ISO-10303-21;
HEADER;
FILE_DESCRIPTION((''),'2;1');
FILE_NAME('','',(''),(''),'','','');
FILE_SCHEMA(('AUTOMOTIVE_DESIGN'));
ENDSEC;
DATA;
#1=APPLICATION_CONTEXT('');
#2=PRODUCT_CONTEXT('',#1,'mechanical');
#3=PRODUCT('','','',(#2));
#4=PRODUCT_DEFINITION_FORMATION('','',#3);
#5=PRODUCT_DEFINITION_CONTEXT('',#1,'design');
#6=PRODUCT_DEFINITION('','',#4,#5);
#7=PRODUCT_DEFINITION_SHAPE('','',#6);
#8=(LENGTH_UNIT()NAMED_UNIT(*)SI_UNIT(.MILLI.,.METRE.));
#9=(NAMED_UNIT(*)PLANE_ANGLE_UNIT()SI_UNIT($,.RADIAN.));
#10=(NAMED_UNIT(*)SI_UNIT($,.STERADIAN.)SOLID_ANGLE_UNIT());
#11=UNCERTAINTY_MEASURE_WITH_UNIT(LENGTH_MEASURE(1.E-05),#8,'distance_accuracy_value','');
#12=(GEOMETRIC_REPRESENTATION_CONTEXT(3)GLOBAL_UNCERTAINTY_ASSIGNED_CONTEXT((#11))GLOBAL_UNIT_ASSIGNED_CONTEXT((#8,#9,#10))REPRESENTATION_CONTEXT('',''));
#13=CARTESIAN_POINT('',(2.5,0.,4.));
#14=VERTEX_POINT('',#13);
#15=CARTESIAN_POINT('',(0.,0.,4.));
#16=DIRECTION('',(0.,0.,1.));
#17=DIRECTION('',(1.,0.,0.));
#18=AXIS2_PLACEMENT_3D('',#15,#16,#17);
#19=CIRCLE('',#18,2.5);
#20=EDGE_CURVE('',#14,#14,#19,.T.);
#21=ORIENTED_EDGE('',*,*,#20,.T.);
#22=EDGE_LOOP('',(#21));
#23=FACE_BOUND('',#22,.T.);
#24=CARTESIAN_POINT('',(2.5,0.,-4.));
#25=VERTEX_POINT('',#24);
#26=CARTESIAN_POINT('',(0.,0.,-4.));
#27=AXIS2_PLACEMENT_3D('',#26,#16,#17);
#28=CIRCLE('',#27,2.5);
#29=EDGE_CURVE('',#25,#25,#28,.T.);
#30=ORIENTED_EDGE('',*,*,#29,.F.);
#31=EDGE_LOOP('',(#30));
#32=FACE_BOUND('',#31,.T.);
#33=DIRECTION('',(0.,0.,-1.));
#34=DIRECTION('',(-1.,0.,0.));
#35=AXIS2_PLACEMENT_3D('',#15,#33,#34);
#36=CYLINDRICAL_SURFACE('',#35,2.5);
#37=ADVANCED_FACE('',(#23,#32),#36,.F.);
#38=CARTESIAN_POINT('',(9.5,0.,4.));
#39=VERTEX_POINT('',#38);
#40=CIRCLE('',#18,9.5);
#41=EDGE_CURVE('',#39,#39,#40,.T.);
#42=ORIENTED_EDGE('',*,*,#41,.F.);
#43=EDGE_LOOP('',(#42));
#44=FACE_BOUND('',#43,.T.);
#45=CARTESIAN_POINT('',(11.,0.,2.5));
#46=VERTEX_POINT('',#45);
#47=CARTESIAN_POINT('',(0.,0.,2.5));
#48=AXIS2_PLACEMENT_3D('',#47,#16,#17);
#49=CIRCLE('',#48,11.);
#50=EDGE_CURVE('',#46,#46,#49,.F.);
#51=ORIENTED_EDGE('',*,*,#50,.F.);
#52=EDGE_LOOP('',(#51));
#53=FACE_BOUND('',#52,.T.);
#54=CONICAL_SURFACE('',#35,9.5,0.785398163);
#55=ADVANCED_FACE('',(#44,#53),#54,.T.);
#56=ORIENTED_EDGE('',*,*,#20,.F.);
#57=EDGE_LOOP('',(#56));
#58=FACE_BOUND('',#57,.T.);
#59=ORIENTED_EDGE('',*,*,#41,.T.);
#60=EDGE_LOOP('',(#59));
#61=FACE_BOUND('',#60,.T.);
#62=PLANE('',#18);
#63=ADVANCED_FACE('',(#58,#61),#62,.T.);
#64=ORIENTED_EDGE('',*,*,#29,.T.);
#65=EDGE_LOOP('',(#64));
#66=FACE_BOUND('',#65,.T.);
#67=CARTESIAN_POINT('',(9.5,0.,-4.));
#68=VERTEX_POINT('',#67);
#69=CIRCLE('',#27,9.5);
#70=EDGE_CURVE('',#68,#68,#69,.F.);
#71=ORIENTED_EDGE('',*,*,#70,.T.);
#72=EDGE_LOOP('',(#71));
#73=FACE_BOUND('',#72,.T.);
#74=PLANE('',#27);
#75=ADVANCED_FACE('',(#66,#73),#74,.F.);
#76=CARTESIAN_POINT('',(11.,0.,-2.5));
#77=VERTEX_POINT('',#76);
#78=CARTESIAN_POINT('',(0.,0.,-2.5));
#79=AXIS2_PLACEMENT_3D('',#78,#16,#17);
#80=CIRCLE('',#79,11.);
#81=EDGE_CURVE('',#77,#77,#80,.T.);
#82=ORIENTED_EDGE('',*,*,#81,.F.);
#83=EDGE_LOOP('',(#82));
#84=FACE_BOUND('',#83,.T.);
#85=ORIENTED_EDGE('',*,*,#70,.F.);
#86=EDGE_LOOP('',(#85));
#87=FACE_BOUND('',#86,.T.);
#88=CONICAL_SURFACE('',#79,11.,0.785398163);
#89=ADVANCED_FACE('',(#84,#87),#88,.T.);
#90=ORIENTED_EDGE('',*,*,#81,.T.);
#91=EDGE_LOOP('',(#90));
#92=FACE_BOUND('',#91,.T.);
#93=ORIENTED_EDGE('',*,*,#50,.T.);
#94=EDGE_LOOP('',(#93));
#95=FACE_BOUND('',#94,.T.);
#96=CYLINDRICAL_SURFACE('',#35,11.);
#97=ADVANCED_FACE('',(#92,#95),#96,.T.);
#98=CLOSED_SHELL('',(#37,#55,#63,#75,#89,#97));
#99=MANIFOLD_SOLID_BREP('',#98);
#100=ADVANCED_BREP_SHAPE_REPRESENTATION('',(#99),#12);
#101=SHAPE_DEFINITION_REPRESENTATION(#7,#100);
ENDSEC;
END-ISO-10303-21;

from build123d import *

# Parameters (mm, degrees)
SKETCH1_R           = 11
SKETCH1_R_2         = 2.5
BOSS_EXTRUDE1_DEPTH = 4
CHAMFER3_SIZE       = 1.5


with BuildPart() as part:
    # Sketch1 → Boss-Extrude1 (new body, symmetric)
    with BuildSketch(Plane.XY):
        Circle(SKETCH1_R)
        Circle(SKETCH1_R_2, mode=Mode.SUBTRACT)
    extrude(amount=BOSS_EXTRUDE1_DEPTH, both=True)

    # Chamfer3
    chamfer3_edges = [part.edges().sort_by_distance(p)[0] for p in [
        (-11, 0, -4),
        (-11, 0, 4),
    ]]
    chamfer(chamfer3_edges, length=CHAMFER3_SIZE)


solid = part.part
